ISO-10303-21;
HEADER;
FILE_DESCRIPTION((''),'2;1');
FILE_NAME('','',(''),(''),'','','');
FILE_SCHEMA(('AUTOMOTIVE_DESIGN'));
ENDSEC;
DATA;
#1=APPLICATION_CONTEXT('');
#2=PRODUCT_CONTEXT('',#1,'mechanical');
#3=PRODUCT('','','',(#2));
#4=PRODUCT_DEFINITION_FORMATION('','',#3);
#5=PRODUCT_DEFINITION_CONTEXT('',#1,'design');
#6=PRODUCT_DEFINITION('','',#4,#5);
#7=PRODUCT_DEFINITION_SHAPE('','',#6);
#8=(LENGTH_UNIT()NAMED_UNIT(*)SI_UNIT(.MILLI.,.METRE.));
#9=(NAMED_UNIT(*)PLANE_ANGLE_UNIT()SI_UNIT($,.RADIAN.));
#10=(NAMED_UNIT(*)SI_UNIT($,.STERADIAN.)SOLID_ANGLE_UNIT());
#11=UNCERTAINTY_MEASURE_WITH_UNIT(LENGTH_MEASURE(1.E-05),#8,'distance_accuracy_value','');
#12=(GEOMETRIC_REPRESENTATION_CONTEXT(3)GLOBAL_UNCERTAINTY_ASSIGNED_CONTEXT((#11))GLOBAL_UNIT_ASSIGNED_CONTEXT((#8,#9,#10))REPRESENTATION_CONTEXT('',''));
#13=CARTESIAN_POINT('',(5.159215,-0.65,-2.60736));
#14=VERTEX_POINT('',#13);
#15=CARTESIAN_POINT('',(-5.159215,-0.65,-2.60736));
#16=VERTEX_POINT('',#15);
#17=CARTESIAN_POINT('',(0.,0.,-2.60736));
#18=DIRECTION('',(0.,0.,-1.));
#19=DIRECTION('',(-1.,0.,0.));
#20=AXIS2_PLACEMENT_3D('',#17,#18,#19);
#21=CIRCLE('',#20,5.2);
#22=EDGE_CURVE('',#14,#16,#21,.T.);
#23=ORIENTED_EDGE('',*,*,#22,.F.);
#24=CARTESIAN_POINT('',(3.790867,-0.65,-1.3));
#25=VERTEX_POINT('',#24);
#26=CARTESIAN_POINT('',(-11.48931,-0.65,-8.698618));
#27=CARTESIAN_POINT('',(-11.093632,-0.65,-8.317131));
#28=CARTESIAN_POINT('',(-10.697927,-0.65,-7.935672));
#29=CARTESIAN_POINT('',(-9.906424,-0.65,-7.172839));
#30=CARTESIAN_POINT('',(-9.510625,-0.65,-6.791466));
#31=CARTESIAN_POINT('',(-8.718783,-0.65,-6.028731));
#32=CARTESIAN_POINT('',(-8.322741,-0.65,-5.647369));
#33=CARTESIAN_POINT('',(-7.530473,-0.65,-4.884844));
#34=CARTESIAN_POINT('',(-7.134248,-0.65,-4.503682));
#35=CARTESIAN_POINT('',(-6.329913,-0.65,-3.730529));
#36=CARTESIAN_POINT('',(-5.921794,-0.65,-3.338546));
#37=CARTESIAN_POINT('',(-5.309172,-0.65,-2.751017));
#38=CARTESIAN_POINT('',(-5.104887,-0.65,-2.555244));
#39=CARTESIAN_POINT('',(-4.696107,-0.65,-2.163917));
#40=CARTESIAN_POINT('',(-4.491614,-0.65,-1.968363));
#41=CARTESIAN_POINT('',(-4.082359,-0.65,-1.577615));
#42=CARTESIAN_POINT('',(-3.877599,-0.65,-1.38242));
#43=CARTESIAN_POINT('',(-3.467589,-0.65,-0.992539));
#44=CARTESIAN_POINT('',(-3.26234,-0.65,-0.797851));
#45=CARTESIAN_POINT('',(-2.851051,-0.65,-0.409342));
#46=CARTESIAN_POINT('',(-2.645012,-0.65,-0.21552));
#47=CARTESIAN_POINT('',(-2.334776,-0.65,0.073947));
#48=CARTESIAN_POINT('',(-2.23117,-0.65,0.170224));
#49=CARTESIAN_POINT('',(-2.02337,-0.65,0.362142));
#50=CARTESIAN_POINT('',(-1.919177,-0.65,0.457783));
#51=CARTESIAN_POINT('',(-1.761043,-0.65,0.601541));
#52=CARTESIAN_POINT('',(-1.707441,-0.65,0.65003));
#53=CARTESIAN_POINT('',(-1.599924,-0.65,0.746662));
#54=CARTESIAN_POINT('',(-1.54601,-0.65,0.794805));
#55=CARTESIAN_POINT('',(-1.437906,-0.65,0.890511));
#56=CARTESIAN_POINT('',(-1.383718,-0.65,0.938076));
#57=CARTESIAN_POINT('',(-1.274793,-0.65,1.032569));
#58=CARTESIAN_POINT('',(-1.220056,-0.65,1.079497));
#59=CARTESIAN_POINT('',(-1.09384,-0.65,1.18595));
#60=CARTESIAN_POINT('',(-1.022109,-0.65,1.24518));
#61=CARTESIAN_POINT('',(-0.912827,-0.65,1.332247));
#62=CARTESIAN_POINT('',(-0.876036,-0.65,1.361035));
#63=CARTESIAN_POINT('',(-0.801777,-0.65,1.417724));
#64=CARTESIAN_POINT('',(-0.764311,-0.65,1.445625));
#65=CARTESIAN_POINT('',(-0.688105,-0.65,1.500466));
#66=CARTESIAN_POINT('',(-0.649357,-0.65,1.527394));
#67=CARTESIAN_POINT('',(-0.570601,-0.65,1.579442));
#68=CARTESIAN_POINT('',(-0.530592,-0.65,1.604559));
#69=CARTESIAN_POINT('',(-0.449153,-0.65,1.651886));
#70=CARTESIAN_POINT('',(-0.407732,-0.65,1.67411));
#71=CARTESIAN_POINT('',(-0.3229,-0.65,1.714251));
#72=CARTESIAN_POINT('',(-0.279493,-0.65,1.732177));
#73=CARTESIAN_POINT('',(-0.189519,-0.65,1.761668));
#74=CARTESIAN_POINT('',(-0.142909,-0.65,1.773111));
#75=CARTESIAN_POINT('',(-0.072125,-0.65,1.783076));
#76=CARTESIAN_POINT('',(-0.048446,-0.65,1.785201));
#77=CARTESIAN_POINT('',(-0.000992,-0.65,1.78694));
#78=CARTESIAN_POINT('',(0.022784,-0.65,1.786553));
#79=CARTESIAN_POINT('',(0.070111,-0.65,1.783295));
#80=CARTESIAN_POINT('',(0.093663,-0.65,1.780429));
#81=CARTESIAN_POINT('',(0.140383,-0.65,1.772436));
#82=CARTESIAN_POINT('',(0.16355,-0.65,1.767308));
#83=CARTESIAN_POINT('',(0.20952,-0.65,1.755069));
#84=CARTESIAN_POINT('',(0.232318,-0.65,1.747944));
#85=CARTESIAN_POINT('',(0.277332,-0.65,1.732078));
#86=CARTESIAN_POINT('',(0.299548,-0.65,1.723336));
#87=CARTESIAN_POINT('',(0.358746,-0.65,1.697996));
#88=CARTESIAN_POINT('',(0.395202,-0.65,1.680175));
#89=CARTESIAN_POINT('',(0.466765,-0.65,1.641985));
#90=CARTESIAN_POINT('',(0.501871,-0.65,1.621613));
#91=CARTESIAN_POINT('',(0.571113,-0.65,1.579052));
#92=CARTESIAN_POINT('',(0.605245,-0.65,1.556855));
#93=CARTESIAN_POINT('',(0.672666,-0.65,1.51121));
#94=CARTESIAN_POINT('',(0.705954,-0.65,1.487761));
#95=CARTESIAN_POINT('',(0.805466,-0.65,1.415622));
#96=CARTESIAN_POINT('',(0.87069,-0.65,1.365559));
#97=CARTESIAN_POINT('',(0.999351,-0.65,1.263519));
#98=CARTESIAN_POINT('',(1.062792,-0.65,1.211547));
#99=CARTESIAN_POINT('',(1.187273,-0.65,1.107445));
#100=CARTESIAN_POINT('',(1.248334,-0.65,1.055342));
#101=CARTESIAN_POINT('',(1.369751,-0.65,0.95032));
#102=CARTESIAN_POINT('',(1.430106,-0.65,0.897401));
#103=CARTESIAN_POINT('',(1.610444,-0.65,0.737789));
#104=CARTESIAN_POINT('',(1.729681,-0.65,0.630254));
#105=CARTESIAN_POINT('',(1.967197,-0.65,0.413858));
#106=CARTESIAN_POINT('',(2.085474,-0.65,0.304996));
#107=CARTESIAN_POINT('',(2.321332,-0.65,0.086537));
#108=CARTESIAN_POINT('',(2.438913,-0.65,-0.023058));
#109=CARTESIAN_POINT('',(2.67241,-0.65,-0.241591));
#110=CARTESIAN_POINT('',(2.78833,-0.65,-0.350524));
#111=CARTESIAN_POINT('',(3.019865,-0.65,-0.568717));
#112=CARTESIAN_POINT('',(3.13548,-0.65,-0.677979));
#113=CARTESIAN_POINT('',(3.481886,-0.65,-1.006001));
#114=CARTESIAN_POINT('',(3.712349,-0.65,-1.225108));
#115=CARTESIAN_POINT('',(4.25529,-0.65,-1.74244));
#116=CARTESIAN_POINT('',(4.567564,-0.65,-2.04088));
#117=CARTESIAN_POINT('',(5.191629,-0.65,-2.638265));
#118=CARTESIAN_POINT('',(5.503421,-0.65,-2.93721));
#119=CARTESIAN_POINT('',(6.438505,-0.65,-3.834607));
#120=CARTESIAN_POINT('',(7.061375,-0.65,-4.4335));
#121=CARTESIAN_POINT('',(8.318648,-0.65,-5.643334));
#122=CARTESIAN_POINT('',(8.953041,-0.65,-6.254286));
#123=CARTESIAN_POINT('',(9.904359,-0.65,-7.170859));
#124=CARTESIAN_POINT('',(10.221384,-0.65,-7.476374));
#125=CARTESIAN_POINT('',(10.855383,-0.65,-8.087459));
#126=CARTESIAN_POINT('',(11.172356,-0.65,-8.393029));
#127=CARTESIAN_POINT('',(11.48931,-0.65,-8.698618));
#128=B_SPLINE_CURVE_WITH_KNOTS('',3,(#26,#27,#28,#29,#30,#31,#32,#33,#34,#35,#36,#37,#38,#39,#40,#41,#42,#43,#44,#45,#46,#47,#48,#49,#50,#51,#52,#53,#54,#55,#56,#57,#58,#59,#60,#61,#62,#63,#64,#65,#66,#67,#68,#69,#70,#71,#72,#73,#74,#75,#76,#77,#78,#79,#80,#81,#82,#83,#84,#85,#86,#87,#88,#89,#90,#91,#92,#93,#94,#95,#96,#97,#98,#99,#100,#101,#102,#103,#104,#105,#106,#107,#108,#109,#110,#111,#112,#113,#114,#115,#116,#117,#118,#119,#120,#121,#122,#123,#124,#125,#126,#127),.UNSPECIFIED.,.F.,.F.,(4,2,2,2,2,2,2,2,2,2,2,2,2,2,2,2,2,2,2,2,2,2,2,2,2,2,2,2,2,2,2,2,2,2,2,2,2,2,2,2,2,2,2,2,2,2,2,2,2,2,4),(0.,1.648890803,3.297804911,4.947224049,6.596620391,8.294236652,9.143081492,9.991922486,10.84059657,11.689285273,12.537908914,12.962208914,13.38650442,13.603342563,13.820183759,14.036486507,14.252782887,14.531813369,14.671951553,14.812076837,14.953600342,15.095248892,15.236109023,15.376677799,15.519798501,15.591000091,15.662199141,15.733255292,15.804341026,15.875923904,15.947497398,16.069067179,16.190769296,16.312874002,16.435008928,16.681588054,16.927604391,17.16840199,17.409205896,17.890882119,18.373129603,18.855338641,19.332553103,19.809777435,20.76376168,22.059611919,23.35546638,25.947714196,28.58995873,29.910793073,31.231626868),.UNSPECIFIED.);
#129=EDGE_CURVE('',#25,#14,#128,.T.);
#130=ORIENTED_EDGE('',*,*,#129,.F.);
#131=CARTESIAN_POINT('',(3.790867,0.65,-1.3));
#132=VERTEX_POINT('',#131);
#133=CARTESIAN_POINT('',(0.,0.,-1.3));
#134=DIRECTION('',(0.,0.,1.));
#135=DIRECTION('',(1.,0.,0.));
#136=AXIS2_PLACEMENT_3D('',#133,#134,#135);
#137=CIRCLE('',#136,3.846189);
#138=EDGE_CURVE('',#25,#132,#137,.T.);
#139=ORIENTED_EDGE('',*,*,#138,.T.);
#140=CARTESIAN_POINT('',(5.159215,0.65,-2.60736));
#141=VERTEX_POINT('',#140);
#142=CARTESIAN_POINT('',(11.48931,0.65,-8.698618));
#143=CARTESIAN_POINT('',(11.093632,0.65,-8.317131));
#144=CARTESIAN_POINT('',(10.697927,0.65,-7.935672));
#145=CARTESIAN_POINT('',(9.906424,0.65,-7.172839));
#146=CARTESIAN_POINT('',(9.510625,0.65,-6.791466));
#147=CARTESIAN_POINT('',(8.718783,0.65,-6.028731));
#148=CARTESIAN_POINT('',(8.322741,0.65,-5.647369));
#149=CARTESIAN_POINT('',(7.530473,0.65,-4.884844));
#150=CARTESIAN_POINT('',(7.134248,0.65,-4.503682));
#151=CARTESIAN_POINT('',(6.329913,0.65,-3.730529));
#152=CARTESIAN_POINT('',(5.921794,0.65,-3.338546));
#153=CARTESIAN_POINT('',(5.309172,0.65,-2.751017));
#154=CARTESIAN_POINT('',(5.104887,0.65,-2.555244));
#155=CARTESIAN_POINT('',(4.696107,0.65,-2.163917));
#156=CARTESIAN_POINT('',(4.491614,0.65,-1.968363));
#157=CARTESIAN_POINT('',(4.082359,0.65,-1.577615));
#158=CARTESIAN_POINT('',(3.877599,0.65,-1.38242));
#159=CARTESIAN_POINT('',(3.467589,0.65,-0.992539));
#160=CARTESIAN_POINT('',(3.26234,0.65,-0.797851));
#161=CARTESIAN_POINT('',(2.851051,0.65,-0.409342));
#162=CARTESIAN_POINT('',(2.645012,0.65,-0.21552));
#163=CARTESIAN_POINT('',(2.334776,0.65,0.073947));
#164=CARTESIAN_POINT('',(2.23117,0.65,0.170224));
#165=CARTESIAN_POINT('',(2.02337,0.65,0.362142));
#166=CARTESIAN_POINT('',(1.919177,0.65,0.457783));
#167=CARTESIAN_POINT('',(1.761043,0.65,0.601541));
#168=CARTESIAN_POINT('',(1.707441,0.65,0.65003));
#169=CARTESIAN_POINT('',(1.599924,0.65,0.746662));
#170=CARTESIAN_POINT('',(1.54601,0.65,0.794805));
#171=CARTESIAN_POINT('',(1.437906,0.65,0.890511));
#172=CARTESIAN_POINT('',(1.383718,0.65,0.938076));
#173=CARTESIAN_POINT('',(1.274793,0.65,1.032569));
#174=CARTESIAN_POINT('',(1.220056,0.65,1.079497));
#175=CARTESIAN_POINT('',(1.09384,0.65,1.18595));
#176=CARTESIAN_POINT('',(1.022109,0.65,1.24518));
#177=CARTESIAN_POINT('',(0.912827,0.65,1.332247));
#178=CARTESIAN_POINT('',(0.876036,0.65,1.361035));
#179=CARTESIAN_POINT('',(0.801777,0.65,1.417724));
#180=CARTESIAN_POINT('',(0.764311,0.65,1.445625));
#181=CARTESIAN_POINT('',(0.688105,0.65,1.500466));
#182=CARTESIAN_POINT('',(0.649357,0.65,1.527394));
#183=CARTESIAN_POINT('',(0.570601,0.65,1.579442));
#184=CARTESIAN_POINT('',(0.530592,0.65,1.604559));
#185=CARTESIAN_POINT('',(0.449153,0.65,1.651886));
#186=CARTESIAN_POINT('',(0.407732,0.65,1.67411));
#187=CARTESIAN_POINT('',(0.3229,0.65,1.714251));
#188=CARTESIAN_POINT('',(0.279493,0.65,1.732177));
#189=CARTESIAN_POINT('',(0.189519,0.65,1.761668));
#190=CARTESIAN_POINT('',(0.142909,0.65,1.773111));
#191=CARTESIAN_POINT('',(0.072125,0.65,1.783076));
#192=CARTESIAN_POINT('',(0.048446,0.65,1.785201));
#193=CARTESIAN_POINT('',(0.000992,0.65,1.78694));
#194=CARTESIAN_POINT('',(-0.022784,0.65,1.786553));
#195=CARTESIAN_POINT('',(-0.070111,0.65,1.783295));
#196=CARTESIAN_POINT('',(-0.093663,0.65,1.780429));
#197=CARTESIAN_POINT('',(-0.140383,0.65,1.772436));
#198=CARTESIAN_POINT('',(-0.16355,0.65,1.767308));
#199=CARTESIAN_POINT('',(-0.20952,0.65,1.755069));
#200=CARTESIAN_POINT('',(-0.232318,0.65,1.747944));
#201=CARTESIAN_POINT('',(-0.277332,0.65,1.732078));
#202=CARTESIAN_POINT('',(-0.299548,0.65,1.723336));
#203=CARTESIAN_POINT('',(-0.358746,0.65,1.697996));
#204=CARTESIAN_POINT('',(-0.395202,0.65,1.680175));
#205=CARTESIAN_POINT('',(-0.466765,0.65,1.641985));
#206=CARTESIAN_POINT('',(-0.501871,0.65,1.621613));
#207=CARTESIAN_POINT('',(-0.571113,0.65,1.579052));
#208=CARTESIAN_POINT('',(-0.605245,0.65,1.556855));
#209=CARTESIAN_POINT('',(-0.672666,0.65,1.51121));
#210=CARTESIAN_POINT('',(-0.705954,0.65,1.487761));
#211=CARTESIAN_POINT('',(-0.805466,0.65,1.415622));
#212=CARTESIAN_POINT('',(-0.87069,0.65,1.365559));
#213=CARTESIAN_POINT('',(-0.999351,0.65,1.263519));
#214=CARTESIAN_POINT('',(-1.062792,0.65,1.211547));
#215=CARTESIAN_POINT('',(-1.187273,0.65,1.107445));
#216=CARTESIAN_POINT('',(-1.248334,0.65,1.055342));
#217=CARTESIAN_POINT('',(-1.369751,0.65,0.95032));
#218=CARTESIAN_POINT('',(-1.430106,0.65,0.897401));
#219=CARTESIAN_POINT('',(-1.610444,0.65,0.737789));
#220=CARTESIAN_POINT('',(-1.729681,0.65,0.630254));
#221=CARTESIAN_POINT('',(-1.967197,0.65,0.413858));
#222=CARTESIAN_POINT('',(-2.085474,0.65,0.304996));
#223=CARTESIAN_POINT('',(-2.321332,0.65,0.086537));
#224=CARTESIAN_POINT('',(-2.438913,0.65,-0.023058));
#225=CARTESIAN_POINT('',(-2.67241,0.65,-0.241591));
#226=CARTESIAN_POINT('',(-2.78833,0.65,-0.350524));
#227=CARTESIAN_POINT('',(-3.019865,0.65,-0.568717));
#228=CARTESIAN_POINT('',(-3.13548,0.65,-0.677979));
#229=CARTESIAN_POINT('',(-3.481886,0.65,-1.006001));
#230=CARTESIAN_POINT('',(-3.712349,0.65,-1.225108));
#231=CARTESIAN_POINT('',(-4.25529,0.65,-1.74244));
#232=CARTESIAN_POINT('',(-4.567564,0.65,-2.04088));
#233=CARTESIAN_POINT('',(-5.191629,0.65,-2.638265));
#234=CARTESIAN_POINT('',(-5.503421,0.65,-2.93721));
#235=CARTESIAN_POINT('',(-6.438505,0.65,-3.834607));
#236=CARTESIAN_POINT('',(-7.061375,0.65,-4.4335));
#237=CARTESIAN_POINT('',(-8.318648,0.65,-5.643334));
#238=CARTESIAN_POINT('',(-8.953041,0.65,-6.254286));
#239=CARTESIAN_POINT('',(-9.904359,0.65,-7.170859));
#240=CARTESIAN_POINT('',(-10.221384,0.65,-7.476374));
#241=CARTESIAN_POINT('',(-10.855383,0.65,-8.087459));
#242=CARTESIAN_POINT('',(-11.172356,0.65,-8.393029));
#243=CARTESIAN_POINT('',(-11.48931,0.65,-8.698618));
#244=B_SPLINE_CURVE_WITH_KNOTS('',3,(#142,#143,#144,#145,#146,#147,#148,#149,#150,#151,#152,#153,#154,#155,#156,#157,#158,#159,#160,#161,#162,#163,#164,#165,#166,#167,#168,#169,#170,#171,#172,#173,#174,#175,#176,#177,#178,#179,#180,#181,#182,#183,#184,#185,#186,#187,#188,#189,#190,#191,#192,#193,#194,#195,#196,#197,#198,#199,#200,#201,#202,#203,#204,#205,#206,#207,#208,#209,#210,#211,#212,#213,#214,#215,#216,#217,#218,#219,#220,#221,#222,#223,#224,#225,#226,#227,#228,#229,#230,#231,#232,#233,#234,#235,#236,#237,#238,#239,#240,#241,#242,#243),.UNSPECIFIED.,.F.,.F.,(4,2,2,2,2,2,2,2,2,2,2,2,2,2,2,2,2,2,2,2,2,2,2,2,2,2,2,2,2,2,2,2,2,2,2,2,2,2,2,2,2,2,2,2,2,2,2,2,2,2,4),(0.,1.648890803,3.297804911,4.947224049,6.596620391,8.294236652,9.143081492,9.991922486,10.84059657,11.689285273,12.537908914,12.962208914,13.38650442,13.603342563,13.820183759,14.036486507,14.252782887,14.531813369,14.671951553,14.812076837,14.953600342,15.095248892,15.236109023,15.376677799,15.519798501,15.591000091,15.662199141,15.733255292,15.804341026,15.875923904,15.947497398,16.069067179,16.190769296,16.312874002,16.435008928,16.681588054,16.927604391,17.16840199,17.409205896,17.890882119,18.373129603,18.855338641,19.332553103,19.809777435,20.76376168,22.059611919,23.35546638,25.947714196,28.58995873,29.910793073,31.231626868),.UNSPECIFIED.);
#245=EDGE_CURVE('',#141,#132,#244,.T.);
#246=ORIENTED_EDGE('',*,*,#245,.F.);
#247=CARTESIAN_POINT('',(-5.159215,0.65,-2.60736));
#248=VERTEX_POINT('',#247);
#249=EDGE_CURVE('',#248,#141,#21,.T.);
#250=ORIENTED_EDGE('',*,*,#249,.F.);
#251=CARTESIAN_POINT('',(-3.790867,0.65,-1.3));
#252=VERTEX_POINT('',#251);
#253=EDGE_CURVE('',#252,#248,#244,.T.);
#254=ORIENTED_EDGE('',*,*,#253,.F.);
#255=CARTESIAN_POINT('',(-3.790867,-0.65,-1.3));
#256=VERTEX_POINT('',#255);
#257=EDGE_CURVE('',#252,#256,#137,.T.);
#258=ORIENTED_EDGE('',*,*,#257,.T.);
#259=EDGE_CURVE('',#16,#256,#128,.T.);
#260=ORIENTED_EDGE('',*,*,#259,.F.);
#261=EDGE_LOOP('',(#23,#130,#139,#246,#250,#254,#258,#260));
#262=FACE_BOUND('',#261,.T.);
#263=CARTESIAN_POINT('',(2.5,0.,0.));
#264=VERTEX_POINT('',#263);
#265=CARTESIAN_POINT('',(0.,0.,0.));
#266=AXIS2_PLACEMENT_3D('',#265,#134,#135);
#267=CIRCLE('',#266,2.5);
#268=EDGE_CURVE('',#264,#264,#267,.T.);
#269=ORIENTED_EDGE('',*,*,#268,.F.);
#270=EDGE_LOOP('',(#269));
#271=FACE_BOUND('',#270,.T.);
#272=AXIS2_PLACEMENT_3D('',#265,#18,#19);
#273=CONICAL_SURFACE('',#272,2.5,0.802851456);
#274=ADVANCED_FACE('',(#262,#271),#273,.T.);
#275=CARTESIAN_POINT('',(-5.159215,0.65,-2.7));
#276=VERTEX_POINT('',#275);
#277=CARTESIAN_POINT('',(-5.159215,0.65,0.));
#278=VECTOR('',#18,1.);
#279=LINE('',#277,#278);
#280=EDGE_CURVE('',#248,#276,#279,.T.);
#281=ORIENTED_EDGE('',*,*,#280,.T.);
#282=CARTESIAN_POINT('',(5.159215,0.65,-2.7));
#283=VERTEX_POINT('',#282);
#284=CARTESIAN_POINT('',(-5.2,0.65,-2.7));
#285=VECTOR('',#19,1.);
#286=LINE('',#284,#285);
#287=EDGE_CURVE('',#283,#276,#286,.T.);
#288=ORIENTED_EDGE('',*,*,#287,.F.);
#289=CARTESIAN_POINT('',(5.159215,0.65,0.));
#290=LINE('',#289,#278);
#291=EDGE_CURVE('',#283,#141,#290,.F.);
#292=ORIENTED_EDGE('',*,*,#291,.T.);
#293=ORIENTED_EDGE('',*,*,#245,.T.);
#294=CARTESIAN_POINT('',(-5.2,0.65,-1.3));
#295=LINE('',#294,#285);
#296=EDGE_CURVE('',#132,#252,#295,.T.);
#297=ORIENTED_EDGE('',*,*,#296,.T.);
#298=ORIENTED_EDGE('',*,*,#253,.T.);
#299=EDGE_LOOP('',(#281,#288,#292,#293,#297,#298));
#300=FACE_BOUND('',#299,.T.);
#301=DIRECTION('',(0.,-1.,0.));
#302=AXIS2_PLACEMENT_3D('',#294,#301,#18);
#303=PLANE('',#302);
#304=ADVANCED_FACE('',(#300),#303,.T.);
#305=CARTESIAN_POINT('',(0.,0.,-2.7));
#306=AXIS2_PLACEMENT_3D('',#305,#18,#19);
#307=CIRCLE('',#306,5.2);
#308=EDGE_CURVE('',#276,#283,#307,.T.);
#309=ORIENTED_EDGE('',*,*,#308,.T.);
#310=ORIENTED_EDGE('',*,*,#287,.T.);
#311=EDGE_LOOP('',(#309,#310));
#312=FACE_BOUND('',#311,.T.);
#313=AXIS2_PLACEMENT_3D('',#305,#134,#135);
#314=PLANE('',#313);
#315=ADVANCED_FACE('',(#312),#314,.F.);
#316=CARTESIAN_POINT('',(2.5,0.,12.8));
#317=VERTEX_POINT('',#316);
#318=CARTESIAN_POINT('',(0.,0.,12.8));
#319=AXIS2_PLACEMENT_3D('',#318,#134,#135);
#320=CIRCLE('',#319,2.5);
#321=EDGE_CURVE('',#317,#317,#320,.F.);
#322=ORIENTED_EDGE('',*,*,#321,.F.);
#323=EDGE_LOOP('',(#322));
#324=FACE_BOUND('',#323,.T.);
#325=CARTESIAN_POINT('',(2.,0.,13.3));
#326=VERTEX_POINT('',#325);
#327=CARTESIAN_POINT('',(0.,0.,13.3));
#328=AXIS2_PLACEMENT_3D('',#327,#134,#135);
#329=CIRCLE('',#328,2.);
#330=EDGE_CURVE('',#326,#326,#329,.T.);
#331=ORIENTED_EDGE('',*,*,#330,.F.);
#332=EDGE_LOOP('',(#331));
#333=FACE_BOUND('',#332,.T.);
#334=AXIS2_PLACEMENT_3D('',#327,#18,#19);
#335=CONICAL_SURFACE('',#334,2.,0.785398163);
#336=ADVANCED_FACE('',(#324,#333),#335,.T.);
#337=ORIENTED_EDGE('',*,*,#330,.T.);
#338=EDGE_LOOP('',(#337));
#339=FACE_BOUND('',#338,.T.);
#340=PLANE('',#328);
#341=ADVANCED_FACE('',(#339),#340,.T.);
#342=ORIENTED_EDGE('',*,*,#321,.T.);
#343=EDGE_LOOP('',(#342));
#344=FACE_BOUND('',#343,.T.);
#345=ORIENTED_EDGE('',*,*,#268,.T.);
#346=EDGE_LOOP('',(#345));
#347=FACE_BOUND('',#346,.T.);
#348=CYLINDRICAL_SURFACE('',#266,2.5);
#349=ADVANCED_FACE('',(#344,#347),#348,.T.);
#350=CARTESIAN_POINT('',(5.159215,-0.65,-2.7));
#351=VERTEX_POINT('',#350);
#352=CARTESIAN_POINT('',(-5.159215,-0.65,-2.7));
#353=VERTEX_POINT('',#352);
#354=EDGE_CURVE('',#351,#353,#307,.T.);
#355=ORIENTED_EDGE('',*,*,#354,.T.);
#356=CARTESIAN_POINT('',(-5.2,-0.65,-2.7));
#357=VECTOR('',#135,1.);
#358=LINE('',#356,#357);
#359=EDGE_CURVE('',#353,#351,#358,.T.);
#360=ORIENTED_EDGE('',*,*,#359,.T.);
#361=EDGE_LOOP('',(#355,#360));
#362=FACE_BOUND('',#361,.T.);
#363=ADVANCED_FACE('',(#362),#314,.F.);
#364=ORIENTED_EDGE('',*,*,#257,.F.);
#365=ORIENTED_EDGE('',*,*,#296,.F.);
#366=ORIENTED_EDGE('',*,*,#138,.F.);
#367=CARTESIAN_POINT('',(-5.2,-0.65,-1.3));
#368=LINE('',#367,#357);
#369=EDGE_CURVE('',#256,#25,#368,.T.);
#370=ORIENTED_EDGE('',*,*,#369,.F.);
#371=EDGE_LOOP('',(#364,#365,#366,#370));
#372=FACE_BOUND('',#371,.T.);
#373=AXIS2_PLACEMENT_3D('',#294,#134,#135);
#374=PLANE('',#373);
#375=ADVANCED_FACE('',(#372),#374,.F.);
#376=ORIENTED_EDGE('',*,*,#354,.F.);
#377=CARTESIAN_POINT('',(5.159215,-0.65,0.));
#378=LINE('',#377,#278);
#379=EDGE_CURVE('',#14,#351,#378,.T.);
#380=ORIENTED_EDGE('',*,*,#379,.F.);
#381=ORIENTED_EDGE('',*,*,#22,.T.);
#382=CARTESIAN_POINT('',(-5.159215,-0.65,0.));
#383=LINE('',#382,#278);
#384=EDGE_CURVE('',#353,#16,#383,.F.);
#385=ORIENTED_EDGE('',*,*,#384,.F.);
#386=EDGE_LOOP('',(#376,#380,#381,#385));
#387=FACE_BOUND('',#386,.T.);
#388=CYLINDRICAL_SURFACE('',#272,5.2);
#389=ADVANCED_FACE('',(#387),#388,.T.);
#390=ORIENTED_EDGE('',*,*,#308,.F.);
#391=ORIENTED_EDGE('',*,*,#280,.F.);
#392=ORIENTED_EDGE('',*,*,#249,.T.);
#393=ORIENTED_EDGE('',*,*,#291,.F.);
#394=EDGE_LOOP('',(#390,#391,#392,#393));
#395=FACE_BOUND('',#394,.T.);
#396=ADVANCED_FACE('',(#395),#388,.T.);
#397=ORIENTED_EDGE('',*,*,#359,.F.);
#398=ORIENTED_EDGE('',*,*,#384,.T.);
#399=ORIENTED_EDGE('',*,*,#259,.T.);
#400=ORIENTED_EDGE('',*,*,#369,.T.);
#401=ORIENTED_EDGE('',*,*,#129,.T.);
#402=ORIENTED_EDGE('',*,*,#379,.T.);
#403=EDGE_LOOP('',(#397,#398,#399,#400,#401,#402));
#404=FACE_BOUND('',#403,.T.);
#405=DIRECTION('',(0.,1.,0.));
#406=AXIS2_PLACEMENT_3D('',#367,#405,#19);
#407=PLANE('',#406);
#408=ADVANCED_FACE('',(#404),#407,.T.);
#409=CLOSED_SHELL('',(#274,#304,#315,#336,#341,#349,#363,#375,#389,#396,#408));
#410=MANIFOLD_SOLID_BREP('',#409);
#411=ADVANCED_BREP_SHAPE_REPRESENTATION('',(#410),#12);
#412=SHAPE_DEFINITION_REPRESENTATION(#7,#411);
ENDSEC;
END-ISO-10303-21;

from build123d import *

# Parameters (mm, degrees)
ESQUISSE2_W     = 10.4
ESQUISSE2_H     = 1.3
FENTE1_DEPTH    = 1.4
ESQUISSE3_W     = 2.5
ESQUISSE3_H     = 13.3
CHANFREIN1_SIZE = 0.5


with BuildPart() as part:
    # Esquisse1 → Base-Révolution (revolve)
    with BuildSketch(Plane(origin=(0, 0, 0), x_dir=(1, 0, 0), z_dir=(0, 1, 0))):
        Polygon((2.5, 0), (5.2, 2.607359692), (5.2, 2.7), (0, 2.7), (0, 0), align=None)
    revolve(axis=Axis((0, 0, 0), (0, 0, -1)))

    # Esquisse2 → fente1 (cut)
    with BuildSketch(Plane.XY.offset(-2.7)):
        Rectangle(ESQUISSE2_W, ESQUISSE2_H)
    extrude(amount=FENTE1_DEPTH, mode=Mode.SUBTRACT)

    # Esquisse3 → Boss.-Révol.1 (revolve)
    with BuildSketch(Plane(origin=(0, 0, 0), x_dir=(1, 0, 0), z_dir=(0, 1, 0))):
        with Locations((1.25, -6.65)):
            Rectangle(ESQUISSE3_W, ESQUISSE3_H)
    revolve(axis=Axis((0, 0, 0), (0, 0, 1)))

    # Chanfrein1
    chanfrein1_edges = [part.edges().sort_by_distance(p)[0] for p in [
        (-2.5, 0, 13.3),
    ]]
    chamfer(chanfrein1_edges, length=CHANFREIN1_SIZE)


solid = part.part
